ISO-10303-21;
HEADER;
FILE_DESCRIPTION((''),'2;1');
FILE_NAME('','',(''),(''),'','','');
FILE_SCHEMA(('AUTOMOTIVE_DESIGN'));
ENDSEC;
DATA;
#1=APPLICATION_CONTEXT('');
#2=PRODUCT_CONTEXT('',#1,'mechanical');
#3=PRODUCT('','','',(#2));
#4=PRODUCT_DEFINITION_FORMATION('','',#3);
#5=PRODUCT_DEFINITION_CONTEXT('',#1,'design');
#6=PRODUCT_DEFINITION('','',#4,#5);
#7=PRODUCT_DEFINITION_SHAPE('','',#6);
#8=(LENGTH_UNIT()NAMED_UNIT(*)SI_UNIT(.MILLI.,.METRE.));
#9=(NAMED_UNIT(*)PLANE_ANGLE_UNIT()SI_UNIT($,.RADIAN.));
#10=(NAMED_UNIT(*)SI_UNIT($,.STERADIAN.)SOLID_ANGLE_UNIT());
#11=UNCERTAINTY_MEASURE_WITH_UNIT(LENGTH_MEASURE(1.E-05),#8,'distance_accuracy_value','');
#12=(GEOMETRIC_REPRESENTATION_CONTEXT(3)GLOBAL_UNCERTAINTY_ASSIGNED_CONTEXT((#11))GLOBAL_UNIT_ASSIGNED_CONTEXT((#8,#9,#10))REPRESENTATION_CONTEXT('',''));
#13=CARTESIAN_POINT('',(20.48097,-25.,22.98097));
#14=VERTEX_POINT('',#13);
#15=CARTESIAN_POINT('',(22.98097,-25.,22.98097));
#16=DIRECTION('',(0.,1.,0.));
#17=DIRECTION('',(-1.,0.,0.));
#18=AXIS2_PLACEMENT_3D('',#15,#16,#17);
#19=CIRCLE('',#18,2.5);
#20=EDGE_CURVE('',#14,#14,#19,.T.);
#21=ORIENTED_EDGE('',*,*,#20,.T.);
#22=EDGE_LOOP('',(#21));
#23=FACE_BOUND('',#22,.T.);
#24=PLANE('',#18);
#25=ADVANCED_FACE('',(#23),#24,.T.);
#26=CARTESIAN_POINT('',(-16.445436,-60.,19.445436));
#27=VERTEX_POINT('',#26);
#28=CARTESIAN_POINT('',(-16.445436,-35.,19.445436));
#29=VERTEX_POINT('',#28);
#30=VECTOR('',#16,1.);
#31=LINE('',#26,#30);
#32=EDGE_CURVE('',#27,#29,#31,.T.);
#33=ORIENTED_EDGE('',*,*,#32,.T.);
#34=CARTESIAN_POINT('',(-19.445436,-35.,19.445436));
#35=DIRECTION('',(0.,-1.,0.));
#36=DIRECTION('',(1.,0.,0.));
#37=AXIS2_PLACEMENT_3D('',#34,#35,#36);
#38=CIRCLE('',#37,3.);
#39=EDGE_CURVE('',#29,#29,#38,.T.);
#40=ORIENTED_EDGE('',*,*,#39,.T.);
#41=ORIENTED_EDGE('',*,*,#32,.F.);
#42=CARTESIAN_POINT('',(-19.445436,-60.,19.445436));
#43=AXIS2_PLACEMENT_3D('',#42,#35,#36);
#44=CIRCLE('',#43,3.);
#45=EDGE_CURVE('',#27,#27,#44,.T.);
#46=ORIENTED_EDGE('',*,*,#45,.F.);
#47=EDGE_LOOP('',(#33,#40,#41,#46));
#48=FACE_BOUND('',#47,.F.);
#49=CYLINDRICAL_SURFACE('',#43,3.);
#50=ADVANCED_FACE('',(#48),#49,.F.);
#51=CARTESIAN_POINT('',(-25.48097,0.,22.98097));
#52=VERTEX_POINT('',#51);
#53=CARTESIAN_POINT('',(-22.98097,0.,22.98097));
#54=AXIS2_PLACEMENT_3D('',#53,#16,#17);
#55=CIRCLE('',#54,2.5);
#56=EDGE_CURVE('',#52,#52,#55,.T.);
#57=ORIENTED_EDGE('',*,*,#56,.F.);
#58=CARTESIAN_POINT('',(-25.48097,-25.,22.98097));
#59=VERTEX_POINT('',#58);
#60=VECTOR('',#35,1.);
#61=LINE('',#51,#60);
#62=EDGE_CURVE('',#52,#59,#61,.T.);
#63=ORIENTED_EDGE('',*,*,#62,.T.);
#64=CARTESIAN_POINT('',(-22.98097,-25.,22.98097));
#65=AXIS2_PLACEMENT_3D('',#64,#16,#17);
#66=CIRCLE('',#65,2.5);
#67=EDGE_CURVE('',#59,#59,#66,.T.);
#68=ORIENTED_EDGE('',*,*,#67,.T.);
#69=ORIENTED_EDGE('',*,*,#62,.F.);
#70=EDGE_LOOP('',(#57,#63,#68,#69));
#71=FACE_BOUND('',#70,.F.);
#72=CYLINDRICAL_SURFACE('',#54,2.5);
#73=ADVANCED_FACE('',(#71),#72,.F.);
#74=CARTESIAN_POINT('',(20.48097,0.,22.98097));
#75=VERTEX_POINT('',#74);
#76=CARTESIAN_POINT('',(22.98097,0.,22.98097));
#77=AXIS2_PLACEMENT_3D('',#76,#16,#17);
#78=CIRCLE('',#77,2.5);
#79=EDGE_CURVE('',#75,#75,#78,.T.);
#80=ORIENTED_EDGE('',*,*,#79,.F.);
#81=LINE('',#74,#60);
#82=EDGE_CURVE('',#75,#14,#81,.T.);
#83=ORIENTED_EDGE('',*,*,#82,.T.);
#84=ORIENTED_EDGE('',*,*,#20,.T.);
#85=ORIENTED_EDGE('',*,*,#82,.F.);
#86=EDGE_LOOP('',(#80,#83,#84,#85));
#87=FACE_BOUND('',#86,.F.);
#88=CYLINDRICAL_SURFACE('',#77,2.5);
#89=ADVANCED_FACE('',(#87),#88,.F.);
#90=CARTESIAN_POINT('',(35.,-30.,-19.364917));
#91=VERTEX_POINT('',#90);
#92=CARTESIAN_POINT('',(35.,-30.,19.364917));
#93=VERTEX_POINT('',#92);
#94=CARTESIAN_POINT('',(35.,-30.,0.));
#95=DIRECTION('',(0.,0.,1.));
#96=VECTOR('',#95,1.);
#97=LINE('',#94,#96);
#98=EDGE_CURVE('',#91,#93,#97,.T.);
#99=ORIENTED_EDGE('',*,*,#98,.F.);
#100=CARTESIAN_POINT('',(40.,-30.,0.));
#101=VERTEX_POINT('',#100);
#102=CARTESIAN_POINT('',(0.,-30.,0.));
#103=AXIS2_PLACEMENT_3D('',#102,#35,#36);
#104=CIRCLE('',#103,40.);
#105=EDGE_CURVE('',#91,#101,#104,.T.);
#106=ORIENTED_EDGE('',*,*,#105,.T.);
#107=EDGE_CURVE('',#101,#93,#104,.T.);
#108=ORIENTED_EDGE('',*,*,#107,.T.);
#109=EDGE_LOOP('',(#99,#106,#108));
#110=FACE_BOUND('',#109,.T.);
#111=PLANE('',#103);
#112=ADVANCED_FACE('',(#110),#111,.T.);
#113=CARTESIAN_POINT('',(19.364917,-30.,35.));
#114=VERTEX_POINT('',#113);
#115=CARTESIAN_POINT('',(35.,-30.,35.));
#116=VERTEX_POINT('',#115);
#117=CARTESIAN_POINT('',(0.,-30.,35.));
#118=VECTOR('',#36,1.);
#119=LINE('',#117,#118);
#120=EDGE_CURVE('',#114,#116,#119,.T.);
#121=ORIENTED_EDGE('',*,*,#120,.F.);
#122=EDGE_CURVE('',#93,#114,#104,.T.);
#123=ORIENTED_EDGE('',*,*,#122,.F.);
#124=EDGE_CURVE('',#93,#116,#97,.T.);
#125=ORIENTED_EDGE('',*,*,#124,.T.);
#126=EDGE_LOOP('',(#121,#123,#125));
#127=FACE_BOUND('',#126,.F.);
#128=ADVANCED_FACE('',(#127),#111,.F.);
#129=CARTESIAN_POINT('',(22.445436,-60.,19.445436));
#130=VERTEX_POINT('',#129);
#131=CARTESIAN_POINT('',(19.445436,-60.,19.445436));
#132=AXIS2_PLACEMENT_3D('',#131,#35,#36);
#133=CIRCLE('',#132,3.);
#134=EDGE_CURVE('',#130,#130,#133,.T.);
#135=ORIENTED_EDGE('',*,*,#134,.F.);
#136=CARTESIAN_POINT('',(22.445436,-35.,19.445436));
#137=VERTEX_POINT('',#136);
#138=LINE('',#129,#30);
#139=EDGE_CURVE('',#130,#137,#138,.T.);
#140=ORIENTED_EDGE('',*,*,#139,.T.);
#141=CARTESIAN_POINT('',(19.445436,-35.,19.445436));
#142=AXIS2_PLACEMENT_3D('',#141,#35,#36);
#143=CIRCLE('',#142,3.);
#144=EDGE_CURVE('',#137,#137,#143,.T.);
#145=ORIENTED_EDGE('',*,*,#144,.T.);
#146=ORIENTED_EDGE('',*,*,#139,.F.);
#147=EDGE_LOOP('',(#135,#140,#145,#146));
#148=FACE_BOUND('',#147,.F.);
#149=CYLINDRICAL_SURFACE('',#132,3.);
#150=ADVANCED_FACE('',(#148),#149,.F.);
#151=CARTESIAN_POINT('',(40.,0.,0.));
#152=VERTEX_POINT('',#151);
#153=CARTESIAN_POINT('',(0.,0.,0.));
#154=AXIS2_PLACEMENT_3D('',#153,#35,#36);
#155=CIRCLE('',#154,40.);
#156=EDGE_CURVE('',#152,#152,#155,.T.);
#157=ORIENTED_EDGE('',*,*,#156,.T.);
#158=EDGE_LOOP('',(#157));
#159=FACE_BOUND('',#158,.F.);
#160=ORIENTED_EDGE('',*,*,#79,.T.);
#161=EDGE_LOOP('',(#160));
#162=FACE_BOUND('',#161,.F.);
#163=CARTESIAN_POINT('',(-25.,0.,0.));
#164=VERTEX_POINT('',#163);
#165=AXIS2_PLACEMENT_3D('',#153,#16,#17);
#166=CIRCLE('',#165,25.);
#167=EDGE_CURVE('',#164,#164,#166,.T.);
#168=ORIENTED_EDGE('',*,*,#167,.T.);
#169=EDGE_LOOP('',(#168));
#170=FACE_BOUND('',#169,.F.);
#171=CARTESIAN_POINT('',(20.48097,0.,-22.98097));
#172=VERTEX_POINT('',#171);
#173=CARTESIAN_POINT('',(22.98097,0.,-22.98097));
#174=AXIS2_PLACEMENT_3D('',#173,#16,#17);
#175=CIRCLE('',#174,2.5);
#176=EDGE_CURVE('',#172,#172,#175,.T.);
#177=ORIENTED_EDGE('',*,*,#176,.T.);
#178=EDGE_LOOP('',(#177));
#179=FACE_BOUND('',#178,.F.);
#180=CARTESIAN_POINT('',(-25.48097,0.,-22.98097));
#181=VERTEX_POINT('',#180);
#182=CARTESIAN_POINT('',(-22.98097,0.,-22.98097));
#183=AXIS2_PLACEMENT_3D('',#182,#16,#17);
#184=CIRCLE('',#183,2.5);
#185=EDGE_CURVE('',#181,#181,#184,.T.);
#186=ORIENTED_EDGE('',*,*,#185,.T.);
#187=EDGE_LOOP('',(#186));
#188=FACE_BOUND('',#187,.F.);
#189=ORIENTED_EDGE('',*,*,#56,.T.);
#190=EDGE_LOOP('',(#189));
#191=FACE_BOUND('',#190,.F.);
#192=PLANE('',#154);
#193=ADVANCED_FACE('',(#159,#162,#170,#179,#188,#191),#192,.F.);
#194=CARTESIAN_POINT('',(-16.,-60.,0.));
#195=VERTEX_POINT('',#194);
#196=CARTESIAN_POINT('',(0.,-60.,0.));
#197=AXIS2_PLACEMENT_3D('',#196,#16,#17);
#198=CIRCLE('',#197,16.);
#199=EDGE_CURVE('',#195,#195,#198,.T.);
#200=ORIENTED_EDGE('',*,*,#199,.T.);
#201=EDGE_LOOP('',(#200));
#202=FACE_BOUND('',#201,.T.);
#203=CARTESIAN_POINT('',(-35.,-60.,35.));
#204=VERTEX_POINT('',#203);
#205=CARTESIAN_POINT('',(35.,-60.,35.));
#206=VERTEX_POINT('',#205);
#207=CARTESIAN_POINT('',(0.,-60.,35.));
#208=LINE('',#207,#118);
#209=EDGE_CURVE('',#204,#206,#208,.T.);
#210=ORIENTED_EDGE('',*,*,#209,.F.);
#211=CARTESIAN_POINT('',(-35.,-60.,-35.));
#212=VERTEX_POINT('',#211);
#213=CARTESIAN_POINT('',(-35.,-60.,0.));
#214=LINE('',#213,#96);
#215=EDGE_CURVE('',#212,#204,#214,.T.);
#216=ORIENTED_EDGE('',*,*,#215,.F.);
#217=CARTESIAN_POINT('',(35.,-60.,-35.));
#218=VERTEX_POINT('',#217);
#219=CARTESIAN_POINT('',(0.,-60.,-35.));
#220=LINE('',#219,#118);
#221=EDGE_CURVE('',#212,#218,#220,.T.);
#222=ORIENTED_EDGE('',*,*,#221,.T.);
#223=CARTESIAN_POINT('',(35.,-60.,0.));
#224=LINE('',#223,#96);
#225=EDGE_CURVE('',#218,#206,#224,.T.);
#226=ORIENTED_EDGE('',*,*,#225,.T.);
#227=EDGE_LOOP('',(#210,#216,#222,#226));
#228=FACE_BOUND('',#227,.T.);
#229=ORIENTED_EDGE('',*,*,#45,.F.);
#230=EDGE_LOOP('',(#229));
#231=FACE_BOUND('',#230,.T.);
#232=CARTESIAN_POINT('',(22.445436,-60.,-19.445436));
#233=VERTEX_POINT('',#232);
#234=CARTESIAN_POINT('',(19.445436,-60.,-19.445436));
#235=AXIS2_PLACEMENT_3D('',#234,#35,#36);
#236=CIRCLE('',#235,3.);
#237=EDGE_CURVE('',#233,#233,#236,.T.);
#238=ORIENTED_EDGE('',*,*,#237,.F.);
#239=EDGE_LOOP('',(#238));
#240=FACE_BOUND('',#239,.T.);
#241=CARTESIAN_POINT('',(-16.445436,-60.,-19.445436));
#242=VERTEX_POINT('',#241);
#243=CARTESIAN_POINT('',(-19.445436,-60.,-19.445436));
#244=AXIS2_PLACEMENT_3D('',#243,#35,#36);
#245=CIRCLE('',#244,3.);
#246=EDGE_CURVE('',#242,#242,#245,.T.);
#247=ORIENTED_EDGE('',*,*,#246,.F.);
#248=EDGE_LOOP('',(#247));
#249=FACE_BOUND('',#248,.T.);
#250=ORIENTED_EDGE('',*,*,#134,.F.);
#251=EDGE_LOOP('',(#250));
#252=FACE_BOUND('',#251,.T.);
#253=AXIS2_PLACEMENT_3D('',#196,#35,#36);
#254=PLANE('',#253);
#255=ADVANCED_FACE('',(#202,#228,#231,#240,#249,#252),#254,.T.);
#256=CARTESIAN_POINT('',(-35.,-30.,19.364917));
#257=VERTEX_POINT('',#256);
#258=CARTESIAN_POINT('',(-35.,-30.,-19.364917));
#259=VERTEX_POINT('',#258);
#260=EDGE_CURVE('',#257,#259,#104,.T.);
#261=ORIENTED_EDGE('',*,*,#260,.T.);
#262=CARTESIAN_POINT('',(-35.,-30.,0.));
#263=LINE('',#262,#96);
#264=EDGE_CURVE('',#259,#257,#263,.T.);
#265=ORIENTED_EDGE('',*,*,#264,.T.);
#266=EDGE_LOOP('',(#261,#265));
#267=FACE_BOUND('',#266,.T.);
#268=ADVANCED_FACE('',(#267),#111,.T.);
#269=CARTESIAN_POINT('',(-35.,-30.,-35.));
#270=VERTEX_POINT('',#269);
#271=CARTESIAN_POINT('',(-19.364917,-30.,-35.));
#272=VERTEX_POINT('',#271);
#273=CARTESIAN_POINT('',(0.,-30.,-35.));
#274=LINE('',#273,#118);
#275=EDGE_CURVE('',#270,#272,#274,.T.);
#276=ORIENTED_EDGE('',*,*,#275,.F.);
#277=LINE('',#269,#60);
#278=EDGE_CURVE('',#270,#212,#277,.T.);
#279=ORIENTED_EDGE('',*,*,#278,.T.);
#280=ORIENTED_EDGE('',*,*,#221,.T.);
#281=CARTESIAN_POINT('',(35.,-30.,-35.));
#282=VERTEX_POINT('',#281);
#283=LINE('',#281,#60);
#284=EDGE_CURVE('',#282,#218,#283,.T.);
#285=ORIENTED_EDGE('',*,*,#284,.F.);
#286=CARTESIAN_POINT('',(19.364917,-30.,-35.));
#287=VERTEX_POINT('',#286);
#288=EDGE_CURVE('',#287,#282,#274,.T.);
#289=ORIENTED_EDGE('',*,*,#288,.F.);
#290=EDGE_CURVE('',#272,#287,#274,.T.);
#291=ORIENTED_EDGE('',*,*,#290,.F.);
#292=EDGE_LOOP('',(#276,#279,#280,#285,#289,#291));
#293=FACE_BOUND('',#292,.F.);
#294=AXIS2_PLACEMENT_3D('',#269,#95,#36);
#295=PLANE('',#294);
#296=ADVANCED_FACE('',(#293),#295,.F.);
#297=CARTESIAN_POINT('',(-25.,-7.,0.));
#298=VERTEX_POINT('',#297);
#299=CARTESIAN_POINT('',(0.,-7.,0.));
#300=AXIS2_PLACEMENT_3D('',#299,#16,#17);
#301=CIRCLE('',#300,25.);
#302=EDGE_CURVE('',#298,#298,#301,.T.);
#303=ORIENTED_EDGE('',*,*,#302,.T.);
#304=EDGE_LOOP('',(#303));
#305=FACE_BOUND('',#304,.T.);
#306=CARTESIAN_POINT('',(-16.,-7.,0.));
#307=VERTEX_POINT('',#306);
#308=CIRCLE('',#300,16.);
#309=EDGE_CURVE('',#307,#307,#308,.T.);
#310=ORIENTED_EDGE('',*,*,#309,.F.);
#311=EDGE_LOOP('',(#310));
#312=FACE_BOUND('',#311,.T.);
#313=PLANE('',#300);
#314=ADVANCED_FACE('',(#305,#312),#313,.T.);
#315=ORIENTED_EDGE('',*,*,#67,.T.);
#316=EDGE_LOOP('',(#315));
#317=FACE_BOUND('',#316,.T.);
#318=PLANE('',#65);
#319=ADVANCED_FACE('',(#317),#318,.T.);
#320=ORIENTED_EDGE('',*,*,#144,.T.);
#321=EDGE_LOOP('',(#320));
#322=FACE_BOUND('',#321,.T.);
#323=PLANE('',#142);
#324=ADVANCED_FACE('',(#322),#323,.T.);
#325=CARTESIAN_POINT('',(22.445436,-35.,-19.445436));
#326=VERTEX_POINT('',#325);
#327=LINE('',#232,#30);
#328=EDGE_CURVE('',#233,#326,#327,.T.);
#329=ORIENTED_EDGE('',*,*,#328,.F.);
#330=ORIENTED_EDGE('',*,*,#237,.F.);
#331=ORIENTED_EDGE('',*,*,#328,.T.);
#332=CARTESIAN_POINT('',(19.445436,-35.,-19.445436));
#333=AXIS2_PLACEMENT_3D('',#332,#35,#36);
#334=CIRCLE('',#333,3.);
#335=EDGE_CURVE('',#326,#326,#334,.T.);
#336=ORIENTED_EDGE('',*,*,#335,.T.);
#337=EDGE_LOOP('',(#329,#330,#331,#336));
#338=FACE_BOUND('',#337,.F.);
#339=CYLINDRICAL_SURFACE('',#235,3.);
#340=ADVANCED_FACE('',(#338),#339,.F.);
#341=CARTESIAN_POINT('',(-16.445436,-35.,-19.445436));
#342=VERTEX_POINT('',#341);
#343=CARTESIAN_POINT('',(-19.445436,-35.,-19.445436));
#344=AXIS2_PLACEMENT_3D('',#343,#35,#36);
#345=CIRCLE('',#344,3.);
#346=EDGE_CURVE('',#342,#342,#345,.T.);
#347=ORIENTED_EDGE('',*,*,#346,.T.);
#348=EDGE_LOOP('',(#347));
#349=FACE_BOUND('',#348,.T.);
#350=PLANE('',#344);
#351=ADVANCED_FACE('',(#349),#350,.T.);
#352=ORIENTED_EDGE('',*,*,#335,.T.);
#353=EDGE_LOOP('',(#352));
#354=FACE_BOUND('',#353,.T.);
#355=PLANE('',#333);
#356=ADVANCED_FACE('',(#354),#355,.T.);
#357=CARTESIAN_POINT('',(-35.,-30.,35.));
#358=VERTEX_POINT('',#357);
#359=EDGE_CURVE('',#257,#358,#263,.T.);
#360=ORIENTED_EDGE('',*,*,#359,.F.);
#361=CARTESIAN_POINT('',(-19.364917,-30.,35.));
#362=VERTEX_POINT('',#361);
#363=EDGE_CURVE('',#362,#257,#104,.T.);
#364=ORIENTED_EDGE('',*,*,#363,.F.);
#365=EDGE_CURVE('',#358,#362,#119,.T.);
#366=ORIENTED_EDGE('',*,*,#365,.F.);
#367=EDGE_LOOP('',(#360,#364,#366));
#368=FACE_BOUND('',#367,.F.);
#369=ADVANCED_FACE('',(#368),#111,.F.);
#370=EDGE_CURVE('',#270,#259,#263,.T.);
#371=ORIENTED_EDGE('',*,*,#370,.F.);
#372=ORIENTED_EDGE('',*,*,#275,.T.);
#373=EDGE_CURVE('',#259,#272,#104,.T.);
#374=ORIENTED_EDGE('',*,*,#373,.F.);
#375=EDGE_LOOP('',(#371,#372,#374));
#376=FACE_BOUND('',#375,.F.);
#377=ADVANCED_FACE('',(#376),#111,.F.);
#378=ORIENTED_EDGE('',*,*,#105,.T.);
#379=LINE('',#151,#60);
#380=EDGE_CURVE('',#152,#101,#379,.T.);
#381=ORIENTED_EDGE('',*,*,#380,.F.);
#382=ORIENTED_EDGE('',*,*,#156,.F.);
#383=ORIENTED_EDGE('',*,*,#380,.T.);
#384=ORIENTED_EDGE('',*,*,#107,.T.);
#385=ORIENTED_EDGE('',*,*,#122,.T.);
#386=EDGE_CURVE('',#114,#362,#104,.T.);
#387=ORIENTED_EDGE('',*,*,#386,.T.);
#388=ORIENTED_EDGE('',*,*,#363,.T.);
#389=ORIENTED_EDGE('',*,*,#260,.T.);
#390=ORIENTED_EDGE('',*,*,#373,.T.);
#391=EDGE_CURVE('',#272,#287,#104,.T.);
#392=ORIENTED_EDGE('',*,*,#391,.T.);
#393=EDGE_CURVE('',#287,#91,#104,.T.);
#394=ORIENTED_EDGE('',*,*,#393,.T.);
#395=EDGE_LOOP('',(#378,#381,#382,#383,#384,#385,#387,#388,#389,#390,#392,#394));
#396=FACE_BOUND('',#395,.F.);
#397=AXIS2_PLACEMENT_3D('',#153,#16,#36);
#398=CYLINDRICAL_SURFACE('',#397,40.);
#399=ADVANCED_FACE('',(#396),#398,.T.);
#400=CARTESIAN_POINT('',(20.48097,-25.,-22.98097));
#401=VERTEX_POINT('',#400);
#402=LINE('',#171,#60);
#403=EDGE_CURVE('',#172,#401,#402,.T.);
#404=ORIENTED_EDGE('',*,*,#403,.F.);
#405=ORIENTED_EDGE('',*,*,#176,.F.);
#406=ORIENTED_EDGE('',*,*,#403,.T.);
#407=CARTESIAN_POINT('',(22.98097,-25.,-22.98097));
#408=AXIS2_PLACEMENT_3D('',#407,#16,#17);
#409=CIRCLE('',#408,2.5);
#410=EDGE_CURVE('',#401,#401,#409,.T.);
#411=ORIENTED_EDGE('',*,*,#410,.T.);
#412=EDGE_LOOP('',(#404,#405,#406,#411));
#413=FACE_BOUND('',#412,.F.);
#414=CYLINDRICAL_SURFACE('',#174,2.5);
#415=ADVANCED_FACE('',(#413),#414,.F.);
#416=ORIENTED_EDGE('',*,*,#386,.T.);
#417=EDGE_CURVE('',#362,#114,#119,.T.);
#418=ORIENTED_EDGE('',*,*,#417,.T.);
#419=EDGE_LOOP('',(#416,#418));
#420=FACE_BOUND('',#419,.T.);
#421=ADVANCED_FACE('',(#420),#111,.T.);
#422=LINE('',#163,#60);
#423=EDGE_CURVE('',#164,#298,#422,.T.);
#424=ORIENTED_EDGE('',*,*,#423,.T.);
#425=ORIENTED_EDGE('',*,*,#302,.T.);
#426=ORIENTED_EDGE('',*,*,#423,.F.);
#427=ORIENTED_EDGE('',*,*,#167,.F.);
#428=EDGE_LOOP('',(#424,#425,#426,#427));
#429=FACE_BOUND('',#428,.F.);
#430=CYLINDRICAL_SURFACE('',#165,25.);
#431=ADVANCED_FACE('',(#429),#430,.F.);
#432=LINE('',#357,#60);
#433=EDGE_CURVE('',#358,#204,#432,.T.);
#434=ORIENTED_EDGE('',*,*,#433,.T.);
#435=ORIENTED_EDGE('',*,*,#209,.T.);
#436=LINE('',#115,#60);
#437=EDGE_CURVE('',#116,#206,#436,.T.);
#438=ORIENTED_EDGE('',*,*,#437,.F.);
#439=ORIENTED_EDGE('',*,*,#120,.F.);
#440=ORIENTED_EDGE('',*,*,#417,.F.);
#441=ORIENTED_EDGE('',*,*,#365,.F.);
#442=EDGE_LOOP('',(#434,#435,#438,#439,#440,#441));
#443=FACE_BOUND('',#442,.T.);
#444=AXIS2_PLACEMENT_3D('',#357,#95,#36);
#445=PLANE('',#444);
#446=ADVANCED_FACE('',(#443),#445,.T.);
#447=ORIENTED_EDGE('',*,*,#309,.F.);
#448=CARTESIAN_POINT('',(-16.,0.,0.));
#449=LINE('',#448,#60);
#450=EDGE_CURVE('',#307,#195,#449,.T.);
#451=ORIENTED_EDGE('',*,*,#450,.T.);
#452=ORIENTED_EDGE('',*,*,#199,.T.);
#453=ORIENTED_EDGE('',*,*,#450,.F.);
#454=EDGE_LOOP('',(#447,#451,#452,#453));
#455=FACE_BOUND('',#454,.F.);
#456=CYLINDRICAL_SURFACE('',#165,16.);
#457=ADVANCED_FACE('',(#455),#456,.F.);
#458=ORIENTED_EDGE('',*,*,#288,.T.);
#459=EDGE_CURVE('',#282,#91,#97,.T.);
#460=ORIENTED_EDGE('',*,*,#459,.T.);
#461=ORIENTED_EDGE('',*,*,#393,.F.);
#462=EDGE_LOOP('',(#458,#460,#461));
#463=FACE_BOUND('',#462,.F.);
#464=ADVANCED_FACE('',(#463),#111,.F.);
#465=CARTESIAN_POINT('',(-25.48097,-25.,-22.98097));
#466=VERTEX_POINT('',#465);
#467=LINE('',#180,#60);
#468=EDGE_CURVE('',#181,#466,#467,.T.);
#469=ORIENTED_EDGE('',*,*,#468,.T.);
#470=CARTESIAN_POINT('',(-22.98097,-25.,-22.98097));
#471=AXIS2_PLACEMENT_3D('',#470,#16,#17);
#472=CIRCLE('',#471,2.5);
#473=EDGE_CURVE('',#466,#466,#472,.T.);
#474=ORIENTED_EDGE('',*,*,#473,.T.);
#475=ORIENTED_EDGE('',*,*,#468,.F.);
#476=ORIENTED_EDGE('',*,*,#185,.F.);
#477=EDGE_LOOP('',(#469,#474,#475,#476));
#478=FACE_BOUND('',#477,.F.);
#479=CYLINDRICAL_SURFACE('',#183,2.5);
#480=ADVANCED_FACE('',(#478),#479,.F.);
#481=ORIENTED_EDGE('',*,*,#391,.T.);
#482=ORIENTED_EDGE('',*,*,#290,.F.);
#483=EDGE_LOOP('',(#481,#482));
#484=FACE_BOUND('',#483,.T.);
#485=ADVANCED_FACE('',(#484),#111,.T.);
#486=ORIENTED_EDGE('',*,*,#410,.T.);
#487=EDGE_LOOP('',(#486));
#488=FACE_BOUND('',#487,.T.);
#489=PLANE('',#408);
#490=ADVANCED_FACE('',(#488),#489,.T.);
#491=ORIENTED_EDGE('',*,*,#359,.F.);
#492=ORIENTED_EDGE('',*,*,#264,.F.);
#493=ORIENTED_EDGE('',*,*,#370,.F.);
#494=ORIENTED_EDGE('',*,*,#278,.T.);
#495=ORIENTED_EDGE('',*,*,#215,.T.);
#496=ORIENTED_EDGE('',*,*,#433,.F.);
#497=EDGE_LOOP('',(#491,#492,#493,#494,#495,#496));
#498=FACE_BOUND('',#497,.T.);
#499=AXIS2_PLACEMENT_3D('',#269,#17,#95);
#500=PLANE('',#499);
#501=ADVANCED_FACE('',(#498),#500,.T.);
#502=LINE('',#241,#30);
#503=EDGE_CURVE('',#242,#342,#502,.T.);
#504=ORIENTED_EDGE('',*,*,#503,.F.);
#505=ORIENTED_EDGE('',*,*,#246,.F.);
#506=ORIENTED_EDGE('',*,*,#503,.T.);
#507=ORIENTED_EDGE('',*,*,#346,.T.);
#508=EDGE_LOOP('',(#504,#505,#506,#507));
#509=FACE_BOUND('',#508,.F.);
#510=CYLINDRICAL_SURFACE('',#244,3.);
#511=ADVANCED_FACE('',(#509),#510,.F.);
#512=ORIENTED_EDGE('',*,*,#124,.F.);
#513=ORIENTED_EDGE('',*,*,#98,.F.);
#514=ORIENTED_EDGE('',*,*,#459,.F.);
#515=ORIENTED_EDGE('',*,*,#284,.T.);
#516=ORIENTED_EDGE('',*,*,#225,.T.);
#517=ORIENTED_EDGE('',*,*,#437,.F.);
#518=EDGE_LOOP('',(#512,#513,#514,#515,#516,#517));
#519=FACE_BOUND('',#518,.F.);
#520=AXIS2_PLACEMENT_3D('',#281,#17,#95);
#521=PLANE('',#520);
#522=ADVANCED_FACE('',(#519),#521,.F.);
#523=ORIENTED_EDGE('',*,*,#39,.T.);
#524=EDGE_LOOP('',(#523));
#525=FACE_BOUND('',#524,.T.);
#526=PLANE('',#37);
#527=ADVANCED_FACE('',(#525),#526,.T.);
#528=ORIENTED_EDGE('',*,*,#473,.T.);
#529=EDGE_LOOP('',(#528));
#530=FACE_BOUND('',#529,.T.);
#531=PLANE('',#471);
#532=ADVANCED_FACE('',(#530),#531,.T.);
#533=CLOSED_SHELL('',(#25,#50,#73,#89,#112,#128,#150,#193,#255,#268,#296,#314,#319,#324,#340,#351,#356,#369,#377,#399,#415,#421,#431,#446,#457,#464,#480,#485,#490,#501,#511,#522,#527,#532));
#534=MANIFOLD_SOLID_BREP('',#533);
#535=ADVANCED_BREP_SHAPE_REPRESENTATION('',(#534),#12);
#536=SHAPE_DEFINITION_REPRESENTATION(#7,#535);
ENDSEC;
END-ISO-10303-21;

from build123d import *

# Parameters (mm, degrees)
F0_R      = 40
F1_DEPTH  = 30
F2_W      = 70
F2_H      = 70
F3_DEPTH  = 30
F4_R      = 16
F5_DEPTH  = 60.001
F6_R      = 25
F7_DEPTH  = 7
F8_R      = 2.5
F9_DEPTH  = 25
F10_R     = 3
F11_DEPTH = 25


with BuildPart() as f1:
    # F0 (on Front) → F1 (new body)
    with BuildSketch(Plane.XZ):
        Circle(F0_R)
    extrude(amount=F1_DEPTH)

    # F2 (on face) → F3 (join)
    with BuildSketch(Plane.XZ.offset(30)):
        Rectangle(F2_W, F2_H)
    extrude(amount=F3_DEPTH)

    # F4 (on face) → F5 (cut, through all)
    with BuildSketch(Plane(origin=(0, 0, 0), x_dir=(-1, 0, 0), z_dir=(0, 1, 0))):
        Circle(F4_R)
    extrude(amount=-F5_DEPTH, mode=Mode.SUBTRACT)

    # F6 (on face) → F7 (cut)
    with BuildSketch(Plane(origin=(0, 0, 0), x_dir=(-1, 0, 0), z_dir=(0, 1, 0))):
        Circle(F6_R)
    extrude(amount=-F7_DEPTH, mode=Mode.SUBTRACT)

    # F8 (on face) → F9 (cut)
    with BuildSketch(Plane(origin=(0, 0, 0), x_dir=(-1, 0, 0), z_dir=(0, 1, 0))):
        with Locations((-22.98097, 22.98097)):
            Circle(F8_R)
        with Locations((22.98097, 22.98097)):
            Circle(F8_R)
        with Locations((22.98097, -22.98097)):
            Circle(F8_R)
        with Locations((-22.98097, -22.98097)):
            Circle(F8_R)
    extrude(amount=-F9_DEPTH, mode=Mode.SUBTRACT)

    # F10 (on face) → F11 (cut)
    with BuildSketch(Plane.XZ.offset(60)):
        with Locations((-19.445436, 19.445436)):
            Circle(F10_R)
        with Locations((19.445436, 19.445436)):
            Circle(F10_R)
        with Locations((19.445436, -19.445436)):
            Circle(F10_R)
        with Locations((-19.445436, -19.445436)):
            Circle(F10_R)
    extrude(amount=-F11_DEPTH, mode=Mode.SUBTRACT)


solid = f1.part
